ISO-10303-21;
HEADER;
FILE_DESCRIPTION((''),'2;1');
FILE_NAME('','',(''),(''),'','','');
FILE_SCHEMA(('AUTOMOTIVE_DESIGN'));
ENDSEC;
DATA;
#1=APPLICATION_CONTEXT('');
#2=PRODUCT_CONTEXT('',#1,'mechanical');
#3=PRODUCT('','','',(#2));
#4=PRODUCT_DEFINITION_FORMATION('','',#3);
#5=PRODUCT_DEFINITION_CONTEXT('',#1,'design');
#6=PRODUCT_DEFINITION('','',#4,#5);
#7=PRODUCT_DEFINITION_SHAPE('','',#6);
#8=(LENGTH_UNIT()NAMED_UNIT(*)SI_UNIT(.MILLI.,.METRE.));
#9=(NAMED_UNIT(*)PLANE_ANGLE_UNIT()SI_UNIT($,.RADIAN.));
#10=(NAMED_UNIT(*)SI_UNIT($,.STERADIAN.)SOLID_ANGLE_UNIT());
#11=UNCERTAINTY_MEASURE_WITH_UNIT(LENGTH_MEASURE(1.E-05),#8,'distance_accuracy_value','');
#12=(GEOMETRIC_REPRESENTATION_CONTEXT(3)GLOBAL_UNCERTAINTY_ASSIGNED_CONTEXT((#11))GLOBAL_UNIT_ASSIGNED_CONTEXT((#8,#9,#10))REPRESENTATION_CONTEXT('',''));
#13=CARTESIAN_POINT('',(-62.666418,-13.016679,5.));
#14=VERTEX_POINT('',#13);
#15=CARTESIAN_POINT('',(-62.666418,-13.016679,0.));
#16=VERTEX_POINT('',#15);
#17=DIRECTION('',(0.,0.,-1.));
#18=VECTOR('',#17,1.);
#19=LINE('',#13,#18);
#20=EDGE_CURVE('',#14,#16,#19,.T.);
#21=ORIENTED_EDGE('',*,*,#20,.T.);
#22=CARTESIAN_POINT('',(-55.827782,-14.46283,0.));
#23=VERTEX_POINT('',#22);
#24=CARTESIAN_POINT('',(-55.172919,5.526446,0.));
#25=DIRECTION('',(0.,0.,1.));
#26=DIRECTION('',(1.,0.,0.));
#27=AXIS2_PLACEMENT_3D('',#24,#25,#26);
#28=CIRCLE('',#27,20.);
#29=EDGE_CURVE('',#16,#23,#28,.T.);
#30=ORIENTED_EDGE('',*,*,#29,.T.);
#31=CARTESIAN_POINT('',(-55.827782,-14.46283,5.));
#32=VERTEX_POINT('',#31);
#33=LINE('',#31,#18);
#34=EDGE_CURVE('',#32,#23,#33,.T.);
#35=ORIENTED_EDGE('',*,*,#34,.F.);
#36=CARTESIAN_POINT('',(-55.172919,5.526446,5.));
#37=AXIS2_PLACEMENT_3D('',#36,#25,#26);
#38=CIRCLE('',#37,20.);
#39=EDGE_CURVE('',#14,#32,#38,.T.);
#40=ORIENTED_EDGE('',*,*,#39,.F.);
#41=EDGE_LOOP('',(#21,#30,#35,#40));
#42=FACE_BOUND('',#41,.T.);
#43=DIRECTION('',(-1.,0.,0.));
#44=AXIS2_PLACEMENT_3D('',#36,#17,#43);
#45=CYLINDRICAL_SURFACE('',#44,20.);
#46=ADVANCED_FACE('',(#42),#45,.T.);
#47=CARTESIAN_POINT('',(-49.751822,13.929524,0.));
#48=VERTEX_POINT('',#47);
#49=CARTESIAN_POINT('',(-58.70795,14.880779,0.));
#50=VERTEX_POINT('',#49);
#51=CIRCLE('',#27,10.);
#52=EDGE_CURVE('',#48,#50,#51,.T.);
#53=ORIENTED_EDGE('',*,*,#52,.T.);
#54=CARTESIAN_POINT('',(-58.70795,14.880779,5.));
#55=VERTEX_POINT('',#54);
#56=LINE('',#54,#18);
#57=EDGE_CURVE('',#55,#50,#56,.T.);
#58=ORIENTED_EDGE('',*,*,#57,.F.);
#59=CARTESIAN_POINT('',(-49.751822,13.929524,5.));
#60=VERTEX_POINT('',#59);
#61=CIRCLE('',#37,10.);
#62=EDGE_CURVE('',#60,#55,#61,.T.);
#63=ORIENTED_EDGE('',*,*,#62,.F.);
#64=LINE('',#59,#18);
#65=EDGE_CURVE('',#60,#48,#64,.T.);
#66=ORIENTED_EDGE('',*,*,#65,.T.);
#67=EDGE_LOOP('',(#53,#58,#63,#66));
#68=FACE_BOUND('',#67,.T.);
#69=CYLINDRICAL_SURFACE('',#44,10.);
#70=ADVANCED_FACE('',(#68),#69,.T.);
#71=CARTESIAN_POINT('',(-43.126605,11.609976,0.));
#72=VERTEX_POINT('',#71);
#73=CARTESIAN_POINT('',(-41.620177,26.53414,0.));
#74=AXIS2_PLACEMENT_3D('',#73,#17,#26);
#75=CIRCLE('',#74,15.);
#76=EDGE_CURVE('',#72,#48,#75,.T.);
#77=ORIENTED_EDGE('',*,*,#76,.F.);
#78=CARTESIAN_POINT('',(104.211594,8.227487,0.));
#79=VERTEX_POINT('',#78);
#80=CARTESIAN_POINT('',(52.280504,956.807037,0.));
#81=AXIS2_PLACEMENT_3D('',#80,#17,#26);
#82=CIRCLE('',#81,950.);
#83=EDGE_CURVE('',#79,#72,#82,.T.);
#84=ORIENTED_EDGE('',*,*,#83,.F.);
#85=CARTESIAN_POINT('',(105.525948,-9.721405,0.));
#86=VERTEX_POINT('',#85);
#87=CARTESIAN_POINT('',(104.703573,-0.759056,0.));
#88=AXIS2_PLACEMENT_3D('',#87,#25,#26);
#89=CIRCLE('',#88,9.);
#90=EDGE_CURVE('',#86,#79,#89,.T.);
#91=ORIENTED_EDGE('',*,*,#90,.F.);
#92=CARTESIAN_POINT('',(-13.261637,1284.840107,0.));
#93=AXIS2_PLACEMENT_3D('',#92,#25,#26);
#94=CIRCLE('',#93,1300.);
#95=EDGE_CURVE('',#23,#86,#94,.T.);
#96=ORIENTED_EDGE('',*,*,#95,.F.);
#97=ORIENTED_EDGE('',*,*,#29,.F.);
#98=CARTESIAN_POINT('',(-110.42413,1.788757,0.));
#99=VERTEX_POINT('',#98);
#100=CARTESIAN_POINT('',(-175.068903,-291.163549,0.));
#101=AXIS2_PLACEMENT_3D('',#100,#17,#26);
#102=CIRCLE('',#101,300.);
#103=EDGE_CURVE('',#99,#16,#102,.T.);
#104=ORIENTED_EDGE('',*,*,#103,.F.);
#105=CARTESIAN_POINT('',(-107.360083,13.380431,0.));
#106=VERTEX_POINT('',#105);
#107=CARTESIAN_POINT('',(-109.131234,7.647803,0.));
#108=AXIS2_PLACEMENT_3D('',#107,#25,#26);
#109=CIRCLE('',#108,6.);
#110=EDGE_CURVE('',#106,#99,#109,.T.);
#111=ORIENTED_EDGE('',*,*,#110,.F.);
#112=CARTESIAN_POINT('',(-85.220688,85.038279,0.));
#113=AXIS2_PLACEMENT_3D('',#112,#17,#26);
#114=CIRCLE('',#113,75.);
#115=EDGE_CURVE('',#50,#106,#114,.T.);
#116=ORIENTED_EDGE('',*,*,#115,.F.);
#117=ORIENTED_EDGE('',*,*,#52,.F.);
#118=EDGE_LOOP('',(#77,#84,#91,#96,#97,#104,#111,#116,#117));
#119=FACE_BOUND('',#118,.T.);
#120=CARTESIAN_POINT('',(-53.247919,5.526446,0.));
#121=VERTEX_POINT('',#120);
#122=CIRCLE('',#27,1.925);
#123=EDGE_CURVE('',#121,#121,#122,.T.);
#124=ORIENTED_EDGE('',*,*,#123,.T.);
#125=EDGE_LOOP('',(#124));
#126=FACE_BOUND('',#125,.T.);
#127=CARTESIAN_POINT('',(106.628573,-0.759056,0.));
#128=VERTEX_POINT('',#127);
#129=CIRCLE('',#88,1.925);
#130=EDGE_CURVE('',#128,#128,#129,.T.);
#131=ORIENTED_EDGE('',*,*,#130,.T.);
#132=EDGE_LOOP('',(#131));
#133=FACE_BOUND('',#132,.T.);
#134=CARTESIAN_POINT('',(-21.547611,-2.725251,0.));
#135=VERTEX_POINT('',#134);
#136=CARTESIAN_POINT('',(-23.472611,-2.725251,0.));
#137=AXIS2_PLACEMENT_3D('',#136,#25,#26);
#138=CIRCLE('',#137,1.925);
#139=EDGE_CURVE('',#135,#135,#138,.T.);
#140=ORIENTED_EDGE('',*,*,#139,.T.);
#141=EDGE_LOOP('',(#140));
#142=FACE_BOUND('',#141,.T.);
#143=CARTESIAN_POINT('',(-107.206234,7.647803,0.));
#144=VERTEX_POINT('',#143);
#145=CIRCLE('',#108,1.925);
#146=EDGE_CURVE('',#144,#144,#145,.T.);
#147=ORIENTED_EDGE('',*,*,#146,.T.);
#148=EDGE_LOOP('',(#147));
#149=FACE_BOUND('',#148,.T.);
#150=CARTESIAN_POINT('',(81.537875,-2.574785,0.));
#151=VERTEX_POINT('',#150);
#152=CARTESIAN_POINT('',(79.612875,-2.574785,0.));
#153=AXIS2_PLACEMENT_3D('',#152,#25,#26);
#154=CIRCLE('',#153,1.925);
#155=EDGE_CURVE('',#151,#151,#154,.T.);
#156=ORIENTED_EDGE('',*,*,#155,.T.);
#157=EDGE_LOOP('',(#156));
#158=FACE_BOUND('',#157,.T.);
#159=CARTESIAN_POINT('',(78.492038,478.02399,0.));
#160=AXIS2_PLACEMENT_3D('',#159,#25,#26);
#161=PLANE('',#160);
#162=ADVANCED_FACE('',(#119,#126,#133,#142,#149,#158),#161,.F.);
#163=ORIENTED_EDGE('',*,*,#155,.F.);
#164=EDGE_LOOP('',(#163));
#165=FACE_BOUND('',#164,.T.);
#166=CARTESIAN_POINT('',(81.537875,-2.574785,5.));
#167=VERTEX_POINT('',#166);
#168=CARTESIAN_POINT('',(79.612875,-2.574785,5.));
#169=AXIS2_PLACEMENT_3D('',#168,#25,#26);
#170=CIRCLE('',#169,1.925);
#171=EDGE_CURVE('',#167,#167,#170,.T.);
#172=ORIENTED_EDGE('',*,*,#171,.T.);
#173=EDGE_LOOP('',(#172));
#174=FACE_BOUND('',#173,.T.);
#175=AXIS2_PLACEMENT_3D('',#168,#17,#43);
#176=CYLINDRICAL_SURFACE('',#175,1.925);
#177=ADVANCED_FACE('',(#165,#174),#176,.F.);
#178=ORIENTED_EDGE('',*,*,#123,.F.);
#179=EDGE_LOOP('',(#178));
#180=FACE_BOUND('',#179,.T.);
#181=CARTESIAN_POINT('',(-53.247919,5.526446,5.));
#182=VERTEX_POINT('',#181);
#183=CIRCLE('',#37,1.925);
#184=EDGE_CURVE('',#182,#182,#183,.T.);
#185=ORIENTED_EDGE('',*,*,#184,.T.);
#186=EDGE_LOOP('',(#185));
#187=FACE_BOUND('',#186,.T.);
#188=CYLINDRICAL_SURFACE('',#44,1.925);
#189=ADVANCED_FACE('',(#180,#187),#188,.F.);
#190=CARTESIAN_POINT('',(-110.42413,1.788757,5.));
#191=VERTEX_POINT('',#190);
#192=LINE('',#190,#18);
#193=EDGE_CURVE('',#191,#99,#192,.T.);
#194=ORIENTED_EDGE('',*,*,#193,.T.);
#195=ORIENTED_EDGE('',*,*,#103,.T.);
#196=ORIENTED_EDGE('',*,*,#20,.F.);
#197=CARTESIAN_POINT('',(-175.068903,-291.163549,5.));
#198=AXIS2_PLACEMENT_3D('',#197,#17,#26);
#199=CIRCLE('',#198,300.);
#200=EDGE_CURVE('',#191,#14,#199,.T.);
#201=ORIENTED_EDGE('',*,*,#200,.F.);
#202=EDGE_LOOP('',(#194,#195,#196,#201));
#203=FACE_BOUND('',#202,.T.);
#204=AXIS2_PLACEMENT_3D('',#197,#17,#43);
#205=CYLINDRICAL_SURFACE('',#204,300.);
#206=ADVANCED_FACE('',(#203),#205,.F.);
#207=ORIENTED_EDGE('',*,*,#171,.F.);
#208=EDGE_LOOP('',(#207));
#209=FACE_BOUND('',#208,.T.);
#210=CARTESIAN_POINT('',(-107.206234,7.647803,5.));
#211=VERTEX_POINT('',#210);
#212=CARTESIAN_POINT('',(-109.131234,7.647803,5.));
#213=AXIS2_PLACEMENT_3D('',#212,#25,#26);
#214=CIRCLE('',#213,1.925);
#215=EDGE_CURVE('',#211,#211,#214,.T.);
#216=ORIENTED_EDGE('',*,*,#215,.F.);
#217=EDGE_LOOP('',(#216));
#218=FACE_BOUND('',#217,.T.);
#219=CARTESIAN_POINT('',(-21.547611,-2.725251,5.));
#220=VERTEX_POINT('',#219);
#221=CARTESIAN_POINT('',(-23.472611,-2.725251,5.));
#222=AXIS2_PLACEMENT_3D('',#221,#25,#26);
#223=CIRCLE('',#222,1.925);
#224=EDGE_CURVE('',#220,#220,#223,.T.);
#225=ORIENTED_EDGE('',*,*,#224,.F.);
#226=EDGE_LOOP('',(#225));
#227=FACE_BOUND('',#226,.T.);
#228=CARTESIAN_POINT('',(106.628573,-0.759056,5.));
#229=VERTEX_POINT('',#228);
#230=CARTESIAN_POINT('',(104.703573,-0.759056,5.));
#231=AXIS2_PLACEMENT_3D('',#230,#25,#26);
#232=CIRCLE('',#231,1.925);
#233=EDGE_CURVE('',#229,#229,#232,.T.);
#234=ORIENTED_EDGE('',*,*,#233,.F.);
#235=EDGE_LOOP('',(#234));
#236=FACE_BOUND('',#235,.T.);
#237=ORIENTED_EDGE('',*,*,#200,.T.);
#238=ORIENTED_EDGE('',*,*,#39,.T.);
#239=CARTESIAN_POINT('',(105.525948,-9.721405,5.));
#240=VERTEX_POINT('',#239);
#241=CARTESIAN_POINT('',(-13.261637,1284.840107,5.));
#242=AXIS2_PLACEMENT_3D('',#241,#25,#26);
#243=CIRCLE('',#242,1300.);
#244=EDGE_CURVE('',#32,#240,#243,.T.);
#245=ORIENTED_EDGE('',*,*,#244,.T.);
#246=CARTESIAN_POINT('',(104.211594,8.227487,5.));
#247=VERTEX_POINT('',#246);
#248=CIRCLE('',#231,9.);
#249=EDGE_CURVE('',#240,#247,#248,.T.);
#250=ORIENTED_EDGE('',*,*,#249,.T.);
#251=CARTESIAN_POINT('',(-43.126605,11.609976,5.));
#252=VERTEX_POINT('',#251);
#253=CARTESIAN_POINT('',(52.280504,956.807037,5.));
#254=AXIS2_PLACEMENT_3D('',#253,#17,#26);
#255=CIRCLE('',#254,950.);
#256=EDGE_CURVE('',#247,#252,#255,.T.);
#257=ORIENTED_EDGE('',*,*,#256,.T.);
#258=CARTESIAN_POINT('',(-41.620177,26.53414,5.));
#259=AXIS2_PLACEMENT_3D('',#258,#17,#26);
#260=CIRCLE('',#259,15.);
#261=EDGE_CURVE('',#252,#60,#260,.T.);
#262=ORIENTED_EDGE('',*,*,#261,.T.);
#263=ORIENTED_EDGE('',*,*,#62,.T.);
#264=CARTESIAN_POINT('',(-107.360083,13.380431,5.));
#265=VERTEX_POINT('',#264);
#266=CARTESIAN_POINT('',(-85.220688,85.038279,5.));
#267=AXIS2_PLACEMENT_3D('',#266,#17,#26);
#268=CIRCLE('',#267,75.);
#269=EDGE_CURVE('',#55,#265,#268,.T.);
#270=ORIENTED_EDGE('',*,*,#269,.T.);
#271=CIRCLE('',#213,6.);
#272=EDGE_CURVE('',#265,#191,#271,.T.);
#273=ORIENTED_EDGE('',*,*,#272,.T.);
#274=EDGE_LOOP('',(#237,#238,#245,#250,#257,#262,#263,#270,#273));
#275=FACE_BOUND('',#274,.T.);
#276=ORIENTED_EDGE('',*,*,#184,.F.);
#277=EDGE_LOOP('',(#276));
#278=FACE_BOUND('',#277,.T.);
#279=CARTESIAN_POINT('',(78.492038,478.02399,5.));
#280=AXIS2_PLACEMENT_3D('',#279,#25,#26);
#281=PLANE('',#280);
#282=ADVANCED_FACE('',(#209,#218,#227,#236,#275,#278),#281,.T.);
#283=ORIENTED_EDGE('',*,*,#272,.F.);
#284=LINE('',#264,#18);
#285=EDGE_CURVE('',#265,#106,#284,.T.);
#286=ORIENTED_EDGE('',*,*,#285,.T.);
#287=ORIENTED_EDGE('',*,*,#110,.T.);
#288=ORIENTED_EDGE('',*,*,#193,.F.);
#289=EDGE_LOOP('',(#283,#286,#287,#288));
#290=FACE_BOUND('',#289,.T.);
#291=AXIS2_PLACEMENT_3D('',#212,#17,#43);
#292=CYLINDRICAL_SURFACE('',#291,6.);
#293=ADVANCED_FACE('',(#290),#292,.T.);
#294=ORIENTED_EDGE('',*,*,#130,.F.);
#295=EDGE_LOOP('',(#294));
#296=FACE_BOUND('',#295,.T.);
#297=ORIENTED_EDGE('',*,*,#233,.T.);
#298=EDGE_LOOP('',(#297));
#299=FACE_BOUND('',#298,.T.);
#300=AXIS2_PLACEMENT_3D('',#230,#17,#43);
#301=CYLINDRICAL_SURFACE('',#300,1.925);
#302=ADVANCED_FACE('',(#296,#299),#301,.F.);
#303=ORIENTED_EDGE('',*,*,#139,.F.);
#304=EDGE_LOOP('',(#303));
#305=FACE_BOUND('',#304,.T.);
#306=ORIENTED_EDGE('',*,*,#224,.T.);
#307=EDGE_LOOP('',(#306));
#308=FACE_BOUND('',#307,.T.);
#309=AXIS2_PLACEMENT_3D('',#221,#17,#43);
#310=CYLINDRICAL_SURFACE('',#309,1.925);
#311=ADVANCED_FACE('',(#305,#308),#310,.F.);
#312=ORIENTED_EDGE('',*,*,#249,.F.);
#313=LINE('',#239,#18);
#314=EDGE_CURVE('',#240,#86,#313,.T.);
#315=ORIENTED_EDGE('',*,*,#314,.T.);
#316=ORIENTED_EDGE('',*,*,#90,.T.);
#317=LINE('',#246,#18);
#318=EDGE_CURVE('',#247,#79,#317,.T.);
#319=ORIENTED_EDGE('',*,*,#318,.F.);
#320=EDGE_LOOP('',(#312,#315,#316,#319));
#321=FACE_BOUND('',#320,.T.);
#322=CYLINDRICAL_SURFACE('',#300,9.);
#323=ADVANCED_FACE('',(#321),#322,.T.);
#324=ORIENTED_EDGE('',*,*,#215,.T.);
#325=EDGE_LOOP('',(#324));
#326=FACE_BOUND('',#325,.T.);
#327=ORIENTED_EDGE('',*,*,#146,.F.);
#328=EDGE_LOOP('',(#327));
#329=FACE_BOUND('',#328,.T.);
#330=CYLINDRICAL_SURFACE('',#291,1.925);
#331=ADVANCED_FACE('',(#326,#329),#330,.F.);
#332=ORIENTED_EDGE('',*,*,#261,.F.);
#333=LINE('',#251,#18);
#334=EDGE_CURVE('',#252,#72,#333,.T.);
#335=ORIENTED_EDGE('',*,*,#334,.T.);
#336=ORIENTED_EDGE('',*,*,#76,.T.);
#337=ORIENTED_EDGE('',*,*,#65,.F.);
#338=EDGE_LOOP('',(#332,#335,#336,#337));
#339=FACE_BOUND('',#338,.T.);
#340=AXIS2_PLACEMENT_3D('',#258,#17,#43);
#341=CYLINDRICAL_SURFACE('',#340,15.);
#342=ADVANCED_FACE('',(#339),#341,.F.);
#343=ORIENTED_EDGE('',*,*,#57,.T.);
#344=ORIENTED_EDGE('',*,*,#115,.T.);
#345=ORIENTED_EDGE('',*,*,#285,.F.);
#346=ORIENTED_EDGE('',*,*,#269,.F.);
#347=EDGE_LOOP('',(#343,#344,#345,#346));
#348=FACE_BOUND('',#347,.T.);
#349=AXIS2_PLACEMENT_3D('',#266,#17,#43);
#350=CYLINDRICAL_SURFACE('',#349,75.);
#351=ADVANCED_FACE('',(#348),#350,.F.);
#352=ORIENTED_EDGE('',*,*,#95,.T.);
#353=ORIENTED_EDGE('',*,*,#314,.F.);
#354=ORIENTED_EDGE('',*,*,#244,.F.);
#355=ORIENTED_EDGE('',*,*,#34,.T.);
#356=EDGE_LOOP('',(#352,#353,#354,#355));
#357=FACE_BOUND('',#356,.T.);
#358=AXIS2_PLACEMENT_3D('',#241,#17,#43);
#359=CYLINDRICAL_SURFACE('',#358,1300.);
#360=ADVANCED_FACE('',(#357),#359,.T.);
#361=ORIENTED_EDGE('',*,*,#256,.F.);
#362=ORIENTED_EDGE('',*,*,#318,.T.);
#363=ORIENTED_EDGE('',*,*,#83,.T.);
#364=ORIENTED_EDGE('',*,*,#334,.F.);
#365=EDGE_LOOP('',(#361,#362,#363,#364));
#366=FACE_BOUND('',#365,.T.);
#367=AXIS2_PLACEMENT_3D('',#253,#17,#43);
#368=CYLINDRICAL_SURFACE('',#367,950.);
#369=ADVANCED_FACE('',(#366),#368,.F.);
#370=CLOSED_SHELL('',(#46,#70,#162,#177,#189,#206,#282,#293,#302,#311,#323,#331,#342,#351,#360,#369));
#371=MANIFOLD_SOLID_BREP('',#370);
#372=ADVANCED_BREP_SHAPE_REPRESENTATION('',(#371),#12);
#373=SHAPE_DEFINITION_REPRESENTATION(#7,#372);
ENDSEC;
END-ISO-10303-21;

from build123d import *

# Parameters (mm, degrees)
ESQUISSE1_R        = 1.925
BOSS_EXTRU_1_DEPTH = 5


with BuildPart() as part:
    # Esquisse1 → Boss.-Extru.1 (new body)
    with BuildSketch(Plane.XY):
        with BuildLine():
            ThreePointArc((-55.827782292, -14.46282996), (24.922748014, -14.598984118), (105.525948354, -9.721405027))
            ThreePointArc((105.525948354, -9.721405027), (113.679539111, -0.101767596), (104.211594017, 8.227487007))
            ThreePointArc((104.211594017, 8.227487007), (30.47680307, 7.057280789), (-43.126605449, 11.609975917))
            ThreePointArc((-43.126605449, 11.609975917), (-46.576807991, 12.376745737), (-49.75182207, 13.929523614))
            ThreePointArc((-49.75182207, 13.929523614), (-54.116731069, 15.47051298), (-58.707950184, 14.880779279))
            ThreePointArc((-58.707950184, 14.880779279), (-82.908915105, 10.07391595), (-107.360082719, 13.380430803))
            ThreePointArc((-107.360082719, 13.380430803), (-114.932002243, 9.181129893), (-110.424129779, 1.788756847))
            ThreePointArc((-110.424129779, 1.788756847), (-86.236289716, -4.6172752), (-62.66641753, -13.016678668))
            ThreePointArc((-62.66641753, -13.016678668), (-59.310767285, -14.040827891), (-55.827782292, -14.46282996))
        make_face()
        with Locations((-23.472610973, -2.725250912)):
            Circle(ESQUISSE1_R, mode=Mode.SUBTRACT)
        with Locations((79.612874717, -2.574784989)):
            Circle(ESQUISSE1_R, mode=Mode.SUBTRACT)
        with Locations((-109.131234319, 7.647802958)):
            Circle(ESQUISSE1_R, mode=Mode.SUBTRACT)
        with Locations((-55.172918512, 5.526446001)):
            Circle(ESQUISSE1_R, mode=Mode.SUBTRACT)
        with Locations((104.703572766, -0.759056094)):
            Circle(ESQUISSE1_R, mode=Mode.SUBTRACT)
    extrude(amount=BOSS_EXTRU_1_DEPTH)


solid = part.part
